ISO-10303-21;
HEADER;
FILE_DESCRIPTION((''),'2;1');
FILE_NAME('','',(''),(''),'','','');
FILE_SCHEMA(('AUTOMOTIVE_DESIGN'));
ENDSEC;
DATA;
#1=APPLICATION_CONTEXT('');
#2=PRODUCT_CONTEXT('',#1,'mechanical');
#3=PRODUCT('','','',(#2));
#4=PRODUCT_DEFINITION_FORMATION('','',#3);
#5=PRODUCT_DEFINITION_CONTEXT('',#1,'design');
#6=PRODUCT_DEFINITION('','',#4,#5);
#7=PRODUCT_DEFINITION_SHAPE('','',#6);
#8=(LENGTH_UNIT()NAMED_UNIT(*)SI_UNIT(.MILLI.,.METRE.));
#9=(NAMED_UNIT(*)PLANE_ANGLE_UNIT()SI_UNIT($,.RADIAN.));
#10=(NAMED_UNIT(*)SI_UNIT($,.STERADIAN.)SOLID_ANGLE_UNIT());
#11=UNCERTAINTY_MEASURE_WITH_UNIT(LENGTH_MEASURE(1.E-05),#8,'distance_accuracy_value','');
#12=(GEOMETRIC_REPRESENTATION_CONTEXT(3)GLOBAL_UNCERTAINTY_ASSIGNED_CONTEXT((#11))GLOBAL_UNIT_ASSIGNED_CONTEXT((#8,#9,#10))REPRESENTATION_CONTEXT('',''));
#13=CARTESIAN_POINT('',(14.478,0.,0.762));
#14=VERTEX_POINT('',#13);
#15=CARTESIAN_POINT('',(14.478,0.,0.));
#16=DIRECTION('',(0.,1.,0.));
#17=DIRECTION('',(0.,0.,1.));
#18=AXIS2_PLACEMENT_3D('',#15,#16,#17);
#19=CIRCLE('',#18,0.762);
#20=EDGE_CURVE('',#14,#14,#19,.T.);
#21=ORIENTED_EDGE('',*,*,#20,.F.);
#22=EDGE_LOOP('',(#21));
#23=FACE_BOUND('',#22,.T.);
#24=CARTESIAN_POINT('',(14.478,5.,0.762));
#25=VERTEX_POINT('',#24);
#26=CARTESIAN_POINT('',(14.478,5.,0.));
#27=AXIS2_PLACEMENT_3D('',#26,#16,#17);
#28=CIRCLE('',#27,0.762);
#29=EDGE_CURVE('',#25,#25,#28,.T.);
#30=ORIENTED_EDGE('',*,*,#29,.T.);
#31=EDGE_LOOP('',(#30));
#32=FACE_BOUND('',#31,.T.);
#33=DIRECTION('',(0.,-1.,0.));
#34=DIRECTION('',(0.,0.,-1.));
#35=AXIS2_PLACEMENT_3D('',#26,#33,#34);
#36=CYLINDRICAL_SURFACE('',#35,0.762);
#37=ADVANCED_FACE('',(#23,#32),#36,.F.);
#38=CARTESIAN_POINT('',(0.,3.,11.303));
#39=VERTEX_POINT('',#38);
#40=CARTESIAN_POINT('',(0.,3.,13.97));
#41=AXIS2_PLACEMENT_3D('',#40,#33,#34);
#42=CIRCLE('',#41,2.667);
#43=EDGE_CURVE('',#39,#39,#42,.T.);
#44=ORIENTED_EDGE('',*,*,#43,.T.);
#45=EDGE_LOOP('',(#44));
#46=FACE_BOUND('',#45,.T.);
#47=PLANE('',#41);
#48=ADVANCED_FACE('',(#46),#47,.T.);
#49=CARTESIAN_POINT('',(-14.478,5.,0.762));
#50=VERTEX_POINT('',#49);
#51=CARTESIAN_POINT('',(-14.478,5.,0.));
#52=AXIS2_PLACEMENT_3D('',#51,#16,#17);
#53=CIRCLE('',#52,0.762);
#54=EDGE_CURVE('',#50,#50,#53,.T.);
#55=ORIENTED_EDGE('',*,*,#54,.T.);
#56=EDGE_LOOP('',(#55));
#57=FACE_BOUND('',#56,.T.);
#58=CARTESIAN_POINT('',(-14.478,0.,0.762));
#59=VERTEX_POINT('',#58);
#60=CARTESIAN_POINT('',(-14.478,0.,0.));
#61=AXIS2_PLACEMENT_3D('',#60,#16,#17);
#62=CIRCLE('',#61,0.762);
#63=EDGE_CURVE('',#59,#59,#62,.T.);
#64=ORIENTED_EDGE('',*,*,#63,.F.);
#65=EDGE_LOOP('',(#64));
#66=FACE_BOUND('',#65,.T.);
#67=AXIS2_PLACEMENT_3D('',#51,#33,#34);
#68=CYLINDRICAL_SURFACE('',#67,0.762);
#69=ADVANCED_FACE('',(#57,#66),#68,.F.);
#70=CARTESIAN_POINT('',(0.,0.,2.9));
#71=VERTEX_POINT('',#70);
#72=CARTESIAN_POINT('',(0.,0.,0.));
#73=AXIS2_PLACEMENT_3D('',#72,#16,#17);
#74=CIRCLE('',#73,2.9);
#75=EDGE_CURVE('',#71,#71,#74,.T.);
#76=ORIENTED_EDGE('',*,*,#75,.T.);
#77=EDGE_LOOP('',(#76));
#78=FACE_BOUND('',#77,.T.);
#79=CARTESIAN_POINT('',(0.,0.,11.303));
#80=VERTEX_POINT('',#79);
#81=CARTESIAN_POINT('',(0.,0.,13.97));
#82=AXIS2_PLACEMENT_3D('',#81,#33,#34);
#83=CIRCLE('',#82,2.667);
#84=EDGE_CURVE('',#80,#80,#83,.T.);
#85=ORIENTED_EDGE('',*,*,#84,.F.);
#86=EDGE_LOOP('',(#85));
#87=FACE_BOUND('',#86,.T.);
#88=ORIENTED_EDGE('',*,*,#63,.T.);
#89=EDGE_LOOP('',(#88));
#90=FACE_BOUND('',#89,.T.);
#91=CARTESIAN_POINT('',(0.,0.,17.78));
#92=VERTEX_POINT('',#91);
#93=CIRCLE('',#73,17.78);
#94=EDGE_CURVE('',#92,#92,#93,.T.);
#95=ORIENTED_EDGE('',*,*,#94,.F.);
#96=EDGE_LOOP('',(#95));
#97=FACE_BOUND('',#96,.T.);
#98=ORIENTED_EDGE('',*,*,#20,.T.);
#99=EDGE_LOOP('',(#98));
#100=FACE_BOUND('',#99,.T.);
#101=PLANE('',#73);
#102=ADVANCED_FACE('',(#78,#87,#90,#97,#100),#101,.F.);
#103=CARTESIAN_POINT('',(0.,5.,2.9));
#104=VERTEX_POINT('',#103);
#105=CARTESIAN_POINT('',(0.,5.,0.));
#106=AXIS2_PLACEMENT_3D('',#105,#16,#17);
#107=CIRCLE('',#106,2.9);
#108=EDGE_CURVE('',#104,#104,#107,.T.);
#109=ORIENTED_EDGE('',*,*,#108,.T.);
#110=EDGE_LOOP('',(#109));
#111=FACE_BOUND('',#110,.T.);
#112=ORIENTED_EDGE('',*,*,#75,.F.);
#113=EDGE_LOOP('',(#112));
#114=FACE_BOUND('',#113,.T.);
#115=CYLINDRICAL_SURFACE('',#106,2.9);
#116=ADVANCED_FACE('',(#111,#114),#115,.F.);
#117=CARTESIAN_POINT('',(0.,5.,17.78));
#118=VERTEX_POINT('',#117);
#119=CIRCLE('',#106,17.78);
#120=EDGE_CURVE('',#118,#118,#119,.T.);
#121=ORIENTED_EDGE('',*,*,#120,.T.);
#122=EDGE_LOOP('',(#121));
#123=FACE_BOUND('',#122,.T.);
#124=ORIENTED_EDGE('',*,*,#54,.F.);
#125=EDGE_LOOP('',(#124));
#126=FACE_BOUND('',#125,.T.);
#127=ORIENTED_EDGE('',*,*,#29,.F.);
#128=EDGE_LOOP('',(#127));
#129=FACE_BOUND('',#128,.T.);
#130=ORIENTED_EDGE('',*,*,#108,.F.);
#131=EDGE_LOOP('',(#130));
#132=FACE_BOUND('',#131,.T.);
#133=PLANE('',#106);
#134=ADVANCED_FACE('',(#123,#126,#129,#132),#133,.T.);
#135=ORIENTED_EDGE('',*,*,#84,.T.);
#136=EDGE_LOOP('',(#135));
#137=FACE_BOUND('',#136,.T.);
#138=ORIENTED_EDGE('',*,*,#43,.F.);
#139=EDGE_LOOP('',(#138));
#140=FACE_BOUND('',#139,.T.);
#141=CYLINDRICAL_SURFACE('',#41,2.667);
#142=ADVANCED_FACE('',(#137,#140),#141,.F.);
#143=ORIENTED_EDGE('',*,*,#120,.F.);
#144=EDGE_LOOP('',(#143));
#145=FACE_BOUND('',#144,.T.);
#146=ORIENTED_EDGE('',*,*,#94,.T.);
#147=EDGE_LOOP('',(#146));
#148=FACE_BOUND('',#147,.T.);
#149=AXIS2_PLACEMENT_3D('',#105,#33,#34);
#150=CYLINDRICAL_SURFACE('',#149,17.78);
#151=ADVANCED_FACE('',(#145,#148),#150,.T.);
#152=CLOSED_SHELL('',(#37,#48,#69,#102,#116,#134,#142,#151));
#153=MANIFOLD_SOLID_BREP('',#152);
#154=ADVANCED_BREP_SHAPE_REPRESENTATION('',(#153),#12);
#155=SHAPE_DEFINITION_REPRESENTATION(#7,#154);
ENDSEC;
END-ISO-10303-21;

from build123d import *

# Parameters (mm, degrees)
SKETCH1_R            = 17.78
SKETCH1_R_2          = 0.762
BOSS_EXTRUDE1_DEPTH  = 5
SKETCH5_R            = 2.667
CUT_EXTRUDE1_DEPTH   = 3
M5_CLEARANCE_HOLE2_D = 5.8


with BuildPart() as part:
    # Sketch1 → Boss-Extrude1 (new body)
    with BuildSketch(Plane(origin=(0, 0, 0), x_dir=(1, 0, 0), z_dir=(0, 1, 0))):
        with Locations(Location((0, 0, 0), (0, 0, 270))):
            Circle(SKETCH1_R)
        with Locations(Location((-14.478, 0, 0), (0, 0, 270))):
            Circle(SKETCH1_R_2, mode=Mode.SUBTRACT)
        with Locations(Location((14.478, 0, 0), (0, 0, 270))):
            Circle(SKETCH1_R_2, mode=Mode.SUBTRACT)
    extrude(amount=BOSS_EXTRUDE1_DEPTH)

    # Sketch5 → Cut-Extrude1 (cut)
    with BuildSketch(Plane.XZ):
        with Locations(Location((0, 13.97, 0), (0, 0, 270))):
            Circle(SKETCH5_R)
    extrude(amount=-CUT_EXTRUDE1_DEPTH, mode=Mode.SUBTRACT)

    # M5 Clearance Hole2 (through all)
    with Locations(Plane(origin=(0, 5, 0), x_dir=(1, 0, 0), z_dir=(0, 1, 0))):
        with Locations((0, 0)):
            Hole(M5_CLEARANCE_HOLE2_D / 2)


solid = part.part
